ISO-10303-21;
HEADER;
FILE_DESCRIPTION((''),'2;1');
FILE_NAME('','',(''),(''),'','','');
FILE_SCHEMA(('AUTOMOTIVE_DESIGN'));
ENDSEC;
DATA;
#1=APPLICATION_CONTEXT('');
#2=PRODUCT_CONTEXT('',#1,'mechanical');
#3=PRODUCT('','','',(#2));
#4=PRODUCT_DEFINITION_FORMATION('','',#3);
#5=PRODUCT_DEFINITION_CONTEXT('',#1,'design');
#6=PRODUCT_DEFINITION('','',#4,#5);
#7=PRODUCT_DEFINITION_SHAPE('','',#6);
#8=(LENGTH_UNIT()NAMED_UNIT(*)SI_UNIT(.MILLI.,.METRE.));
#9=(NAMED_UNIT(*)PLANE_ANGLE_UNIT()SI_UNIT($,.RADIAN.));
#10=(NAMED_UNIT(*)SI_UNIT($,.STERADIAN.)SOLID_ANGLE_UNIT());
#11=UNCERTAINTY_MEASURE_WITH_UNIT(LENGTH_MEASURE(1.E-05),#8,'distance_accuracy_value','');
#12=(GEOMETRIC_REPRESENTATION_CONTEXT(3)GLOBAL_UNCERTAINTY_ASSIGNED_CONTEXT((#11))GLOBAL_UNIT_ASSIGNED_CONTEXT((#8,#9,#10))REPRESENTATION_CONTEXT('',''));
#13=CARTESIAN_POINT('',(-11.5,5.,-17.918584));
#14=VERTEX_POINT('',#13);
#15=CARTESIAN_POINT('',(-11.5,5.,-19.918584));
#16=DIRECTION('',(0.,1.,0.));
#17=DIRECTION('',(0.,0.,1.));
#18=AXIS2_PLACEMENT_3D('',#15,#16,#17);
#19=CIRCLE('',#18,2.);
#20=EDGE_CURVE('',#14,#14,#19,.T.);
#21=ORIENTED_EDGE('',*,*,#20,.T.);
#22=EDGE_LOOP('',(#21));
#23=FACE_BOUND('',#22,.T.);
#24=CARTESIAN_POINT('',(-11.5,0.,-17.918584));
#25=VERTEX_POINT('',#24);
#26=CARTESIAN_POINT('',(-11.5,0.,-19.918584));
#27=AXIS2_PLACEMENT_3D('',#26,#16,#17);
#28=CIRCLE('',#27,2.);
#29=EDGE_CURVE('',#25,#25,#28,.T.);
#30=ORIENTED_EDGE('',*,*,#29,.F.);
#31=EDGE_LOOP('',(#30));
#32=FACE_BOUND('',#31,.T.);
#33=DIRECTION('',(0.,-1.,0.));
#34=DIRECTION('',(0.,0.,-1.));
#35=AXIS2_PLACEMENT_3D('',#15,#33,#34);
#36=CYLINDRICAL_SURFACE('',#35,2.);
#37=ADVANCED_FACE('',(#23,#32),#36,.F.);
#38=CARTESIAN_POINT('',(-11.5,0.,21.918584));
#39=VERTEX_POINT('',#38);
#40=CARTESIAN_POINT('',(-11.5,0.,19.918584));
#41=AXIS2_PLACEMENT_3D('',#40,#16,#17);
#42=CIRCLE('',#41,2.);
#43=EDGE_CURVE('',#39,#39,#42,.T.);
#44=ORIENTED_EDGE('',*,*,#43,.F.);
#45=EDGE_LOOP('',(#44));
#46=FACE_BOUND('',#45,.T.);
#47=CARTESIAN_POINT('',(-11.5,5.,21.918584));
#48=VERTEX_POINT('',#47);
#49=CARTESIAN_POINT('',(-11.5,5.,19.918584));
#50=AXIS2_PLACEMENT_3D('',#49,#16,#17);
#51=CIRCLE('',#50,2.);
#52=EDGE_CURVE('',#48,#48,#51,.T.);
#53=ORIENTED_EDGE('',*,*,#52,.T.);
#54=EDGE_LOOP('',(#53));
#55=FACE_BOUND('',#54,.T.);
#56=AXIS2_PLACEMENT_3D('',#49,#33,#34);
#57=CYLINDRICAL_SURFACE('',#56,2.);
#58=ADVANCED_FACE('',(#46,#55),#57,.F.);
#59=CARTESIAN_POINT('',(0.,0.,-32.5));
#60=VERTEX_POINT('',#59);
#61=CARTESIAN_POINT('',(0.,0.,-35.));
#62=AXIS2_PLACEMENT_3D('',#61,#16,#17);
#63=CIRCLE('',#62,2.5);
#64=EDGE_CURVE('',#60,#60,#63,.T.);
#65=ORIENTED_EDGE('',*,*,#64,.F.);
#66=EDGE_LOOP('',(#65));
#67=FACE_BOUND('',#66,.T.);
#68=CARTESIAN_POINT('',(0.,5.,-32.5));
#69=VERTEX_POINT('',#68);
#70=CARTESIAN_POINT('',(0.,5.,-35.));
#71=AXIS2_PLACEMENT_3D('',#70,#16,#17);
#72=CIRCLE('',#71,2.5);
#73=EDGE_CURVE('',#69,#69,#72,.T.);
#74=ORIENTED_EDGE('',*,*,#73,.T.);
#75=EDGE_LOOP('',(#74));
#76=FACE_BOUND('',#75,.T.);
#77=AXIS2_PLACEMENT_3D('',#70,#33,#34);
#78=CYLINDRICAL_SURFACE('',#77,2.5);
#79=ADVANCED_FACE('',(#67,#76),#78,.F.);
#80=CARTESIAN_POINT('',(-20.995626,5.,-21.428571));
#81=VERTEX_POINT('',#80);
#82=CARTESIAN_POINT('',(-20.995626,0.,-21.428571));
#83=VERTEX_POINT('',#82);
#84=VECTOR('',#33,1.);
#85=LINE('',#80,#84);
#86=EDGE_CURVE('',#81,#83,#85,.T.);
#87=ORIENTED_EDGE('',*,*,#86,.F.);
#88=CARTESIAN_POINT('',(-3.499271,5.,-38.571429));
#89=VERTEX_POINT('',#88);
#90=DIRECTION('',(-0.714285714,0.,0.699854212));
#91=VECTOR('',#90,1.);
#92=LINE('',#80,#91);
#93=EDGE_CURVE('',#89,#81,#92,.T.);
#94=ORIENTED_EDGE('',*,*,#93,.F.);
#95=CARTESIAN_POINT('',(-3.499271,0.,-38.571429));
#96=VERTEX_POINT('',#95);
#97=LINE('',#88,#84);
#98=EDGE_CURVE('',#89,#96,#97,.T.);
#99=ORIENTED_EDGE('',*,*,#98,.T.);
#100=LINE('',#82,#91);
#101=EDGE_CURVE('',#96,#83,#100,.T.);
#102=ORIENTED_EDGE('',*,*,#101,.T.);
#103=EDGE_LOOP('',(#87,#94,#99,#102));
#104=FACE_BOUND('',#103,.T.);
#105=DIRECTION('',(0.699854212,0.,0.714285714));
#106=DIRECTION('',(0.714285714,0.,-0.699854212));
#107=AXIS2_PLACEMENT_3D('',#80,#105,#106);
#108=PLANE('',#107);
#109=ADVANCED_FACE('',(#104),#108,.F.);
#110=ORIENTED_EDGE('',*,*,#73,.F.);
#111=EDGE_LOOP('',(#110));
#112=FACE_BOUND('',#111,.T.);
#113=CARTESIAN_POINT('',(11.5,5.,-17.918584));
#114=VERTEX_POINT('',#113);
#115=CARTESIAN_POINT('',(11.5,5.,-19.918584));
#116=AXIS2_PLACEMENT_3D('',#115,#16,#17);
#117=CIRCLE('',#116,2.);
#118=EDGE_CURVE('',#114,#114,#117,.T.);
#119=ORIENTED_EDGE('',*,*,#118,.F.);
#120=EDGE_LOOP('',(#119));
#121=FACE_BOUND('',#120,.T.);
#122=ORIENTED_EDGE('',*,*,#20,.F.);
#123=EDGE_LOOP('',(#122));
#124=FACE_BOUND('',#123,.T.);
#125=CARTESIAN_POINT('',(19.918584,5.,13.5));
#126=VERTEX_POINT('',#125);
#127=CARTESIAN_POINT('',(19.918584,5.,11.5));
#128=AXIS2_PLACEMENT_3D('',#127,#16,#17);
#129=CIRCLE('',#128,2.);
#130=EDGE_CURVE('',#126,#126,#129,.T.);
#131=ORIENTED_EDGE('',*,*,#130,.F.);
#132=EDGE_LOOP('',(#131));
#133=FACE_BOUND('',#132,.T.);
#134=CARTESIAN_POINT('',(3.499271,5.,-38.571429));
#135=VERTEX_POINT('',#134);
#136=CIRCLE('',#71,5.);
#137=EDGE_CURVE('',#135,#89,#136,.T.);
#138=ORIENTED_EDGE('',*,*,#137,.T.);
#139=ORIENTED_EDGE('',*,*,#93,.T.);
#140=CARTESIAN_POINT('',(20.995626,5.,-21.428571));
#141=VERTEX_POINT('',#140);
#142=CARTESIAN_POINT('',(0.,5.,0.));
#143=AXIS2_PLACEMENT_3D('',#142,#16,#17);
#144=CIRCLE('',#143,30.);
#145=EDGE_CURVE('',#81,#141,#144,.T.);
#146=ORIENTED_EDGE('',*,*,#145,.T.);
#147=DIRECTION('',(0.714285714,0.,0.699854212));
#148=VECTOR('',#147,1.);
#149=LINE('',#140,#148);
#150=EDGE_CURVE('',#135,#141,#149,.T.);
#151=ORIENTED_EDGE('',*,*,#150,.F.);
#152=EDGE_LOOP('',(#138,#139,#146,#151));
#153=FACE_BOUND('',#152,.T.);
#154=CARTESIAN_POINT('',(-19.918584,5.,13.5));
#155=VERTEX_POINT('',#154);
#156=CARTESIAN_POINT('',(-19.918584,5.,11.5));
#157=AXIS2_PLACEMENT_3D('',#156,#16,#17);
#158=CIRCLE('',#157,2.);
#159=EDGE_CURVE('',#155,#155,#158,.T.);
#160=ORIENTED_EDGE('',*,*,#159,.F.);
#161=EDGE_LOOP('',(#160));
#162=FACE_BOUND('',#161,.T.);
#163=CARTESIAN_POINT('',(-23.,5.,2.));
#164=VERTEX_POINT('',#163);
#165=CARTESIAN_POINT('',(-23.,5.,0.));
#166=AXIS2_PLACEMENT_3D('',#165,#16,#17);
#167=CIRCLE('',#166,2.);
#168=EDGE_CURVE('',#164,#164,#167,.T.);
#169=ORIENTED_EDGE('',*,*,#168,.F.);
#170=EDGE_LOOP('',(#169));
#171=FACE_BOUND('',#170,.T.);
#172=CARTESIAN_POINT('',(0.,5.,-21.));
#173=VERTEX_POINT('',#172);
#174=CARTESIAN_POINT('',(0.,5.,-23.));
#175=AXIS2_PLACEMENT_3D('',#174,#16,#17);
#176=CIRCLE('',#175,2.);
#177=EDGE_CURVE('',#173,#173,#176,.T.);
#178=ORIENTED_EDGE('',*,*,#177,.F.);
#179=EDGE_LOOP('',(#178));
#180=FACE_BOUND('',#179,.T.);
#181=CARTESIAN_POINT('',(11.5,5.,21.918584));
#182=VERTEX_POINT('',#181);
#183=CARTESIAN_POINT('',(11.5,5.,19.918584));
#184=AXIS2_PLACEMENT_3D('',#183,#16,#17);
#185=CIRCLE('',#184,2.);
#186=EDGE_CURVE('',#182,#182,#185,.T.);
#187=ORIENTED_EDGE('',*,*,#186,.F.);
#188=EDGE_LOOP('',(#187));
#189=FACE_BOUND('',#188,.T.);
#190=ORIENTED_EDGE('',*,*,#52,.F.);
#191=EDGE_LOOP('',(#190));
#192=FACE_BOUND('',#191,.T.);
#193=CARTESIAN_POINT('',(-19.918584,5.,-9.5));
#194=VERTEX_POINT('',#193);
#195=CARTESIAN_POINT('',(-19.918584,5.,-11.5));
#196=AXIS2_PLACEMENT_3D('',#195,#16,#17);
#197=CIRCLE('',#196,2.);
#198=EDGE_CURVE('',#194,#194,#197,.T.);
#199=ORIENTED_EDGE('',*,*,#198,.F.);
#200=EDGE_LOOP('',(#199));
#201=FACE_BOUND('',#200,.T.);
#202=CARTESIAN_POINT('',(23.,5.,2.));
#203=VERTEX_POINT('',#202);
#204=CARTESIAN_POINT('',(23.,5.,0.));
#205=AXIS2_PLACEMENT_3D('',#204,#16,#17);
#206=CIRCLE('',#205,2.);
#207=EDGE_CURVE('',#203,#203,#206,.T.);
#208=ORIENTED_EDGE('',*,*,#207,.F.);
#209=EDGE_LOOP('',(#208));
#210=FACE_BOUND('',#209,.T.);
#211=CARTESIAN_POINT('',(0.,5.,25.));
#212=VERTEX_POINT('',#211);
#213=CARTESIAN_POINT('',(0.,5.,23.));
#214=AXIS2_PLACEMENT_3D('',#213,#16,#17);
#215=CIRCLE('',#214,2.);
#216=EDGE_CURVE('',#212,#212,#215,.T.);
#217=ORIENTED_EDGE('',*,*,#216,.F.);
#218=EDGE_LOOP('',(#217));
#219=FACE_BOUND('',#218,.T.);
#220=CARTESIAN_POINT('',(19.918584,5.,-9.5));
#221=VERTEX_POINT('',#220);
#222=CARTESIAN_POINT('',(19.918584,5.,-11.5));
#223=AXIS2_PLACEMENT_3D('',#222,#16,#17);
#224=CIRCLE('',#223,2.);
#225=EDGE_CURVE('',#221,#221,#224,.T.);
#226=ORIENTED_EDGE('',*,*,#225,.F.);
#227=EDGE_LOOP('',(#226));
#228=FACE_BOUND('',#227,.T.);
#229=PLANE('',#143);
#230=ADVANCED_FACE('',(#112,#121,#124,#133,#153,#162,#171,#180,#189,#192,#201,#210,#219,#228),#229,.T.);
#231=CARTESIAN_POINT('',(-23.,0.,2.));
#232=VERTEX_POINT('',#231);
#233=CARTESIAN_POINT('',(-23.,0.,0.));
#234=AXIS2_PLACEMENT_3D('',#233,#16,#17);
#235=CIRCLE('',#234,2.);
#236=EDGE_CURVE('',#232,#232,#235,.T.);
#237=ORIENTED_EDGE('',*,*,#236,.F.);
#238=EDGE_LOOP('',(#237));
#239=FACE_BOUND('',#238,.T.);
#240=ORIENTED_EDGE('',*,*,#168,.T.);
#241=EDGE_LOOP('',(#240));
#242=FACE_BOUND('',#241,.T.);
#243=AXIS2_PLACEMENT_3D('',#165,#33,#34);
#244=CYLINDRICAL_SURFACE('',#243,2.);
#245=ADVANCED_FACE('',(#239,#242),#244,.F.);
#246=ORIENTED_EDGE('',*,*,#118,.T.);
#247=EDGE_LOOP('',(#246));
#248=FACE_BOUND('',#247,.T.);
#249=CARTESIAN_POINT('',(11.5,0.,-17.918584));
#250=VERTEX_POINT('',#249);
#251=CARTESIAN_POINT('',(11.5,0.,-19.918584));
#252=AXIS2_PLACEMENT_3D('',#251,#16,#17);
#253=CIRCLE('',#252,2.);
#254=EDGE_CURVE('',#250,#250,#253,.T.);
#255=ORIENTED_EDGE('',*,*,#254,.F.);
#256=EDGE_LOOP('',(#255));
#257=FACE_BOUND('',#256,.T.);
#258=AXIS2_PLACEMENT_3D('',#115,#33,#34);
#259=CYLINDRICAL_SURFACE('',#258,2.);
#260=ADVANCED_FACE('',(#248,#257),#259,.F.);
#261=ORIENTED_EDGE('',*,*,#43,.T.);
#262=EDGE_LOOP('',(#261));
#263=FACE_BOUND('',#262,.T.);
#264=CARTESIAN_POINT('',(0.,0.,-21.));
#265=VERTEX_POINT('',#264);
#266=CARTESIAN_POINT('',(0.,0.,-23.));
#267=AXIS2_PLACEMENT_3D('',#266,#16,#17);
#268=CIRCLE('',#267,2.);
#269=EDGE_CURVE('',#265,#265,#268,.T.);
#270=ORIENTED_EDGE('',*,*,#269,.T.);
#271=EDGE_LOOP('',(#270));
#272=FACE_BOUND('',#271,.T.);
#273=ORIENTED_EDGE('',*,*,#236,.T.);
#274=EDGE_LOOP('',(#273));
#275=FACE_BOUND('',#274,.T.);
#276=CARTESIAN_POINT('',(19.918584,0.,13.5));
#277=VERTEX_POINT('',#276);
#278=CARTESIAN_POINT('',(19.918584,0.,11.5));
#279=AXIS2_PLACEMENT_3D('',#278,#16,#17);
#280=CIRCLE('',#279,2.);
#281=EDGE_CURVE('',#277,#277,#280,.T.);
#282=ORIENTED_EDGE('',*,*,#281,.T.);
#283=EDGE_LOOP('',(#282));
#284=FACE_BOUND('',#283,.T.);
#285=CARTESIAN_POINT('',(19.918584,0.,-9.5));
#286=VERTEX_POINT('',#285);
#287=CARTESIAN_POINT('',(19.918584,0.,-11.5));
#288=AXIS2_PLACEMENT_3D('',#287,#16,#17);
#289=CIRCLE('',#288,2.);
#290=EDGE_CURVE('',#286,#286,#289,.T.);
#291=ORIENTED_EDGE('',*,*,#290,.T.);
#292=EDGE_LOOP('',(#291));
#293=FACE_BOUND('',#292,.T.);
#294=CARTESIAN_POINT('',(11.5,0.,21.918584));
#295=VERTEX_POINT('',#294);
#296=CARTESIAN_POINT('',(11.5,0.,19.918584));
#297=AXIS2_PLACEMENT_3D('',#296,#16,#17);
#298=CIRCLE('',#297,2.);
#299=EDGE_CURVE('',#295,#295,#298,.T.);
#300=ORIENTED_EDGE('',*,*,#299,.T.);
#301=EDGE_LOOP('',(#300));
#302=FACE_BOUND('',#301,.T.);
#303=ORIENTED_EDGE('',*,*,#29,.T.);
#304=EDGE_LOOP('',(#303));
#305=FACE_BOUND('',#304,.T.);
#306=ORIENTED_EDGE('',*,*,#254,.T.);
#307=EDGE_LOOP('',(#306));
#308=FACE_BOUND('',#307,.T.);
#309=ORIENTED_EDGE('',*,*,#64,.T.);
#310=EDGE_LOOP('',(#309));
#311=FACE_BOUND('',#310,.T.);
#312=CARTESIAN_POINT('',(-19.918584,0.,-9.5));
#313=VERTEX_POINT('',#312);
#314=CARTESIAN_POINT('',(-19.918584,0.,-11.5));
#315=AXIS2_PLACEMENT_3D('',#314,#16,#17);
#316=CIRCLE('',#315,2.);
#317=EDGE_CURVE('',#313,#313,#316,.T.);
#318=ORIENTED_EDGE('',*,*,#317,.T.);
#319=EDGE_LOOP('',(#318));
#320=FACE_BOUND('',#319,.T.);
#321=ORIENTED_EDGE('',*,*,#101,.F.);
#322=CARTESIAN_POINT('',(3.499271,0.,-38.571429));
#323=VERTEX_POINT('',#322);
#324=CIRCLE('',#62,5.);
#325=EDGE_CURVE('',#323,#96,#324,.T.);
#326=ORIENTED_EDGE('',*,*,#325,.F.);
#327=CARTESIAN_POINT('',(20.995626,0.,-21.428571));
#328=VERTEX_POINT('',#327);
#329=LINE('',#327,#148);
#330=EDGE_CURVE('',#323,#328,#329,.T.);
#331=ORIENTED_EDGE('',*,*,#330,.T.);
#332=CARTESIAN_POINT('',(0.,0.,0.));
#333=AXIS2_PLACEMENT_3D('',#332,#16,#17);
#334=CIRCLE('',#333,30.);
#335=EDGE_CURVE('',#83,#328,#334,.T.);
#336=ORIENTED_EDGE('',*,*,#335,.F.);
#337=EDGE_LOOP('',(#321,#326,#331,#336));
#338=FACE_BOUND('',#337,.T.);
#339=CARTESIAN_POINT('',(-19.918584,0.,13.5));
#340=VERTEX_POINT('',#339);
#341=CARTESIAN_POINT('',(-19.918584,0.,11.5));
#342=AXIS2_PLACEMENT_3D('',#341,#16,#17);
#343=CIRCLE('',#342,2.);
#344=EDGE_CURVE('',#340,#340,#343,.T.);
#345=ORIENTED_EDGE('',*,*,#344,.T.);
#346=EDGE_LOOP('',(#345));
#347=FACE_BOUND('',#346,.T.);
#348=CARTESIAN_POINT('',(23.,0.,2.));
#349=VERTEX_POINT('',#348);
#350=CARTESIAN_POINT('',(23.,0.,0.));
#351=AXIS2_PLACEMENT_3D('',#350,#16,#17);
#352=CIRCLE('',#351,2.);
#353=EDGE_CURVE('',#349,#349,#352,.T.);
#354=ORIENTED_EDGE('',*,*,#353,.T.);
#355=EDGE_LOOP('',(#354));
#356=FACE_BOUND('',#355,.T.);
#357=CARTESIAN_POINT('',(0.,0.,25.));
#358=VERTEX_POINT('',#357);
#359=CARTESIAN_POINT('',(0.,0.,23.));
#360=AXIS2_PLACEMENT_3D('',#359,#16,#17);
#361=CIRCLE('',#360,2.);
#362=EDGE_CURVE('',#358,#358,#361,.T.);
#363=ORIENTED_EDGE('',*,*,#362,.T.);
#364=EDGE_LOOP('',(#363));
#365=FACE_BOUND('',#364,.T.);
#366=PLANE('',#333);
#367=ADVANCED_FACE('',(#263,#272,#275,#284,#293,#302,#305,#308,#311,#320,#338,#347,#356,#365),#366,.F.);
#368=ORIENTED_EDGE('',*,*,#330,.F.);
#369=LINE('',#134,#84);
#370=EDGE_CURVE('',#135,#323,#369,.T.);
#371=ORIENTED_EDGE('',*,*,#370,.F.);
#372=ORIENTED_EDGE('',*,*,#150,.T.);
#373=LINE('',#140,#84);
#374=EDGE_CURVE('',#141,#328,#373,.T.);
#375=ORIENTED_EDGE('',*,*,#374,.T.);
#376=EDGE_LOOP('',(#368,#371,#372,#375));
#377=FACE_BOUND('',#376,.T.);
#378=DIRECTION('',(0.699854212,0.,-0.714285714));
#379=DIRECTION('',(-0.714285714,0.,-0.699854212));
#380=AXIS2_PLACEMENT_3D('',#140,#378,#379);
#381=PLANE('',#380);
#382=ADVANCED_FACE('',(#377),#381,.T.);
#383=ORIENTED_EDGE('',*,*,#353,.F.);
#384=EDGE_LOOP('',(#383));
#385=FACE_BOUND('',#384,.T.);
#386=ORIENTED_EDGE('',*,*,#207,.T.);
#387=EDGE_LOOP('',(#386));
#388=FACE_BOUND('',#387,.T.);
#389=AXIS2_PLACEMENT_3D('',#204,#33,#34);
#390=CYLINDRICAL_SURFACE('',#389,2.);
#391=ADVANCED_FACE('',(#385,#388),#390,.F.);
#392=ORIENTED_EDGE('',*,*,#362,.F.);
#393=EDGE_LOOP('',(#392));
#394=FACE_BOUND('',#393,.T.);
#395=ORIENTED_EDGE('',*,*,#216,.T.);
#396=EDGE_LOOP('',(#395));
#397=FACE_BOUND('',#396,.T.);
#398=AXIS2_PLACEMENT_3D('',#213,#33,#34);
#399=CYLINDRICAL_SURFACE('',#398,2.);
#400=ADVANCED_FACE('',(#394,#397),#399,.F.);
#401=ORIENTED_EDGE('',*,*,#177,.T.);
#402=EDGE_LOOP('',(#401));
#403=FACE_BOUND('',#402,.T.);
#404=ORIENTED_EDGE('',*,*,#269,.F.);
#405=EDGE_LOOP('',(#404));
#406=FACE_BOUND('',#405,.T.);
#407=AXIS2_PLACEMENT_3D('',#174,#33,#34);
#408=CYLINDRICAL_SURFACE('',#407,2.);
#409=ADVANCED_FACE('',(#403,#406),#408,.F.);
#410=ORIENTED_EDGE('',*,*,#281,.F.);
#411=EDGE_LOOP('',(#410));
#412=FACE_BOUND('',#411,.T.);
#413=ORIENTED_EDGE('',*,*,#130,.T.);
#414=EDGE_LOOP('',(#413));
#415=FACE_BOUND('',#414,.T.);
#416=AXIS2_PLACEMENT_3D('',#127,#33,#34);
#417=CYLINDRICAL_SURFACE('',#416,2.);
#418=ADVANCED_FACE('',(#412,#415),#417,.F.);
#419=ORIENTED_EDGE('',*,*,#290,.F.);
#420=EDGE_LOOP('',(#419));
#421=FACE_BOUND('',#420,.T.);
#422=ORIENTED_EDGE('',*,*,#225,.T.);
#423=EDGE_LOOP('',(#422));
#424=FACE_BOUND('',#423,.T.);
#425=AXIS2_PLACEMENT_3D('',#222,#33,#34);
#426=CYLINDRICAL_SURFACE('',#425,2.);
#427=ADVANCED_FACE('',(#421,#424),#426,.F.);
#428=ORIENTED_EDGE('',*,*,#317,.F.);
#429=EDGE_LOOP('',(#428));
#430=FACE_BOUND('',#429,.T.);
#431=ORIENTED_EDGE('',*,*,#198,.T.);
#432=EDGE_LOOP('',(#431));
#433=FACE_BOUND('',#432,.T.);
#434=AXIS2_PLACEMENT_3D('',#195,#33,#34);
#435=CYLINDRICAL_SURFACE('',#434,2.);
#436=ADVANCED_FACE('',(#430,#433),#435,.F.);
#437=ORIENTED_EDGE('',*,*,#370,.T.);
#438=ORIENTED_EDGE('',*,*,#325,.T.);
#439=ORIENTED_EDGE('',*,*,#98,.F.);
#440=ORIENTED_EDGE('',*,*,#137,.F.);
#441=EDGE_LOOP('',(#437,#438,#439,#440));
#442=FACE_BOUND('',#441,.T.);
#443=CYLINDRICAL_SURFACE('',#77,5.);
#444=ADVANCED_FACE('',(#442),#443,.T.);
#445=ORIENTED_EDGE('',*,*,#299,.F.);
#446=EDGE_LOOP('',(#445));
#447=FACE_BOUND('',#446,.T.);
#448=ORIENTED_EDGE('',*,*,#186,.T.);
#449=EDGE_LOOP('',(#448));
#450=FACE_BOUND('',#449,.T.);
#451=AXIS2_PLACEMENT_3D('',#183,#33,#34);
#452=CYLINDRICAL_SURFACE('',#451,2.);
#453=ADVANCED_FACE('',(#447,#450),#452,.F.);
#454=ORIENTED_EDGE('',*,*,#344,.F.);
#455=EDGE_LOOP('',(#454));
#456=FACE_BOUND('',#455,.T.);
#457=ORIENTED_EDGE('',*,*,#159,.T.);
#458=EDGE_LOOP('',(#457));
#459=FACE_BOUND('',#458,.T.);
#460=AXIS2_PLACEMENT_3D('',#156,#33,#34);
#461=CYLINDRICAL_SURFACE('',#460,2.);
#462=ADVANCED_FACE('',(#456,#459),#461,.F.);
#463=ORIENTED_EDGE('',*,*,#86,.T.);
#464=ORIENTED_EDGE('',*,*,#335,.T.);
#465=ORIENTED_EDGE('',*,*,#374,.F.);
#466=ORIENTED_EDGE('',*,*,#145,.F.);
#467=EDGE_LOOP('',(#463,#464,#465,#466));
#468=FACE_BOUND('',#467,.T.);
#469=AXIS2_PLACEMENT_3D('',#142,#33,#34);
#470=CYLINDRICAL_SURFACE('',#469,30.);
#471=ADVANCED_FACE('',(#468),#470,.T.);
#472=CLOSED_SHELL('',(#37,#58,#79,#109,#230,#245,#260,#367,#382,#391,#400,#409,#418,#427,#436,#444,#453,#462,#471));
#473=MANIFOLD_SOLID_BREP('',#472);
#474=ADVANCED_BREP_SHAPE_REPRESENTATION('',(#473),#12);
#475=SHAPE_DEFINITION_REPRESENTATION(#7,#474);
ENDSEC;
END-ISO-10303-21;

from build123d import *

# Parameters (mm, degrees)
SKETCH1_R           = 30
SKETCH1_R_2         = 2
SKETCH1_R_3         = 5
SKETCH1_R_4         = 2.5
BOSS_EXTRUDE1_DEPTH = 5


with BuildPart() as part:
    # Sketch1 → Boss-Extrude1 (new body)
    # profile 1 of 4: a face of its own
    with BuildSketch(Plane(origin=(0, 0, 0), x_dir=(1, 0, 0), z_dir=(0, 1, 0))):
        Circle(SKETCH1_R)
        with Locations(Location((-11.5, 19.918584287, 0), (0, 0, 270))):
            Circle(SKETCH1_R_2, mode=Mode.SUBTRACT)
        with Locations(Location((-19.918584287, 11.5, 0), (0, 0, 270))):
            Circle(SKETCH1_R_2, mode=Mode.SUBTRACT)
        with Locations(Location((-23, 0, 0), (0, 0, 270))):
            Circle(SKETCH1_R_2, mode=Mode.SUBTRACT)
        with Locations(Location((-19.918584287, -11.5, 0), (0, 0, 270))):
            Circle(SKETCH1_R_2, mode=Mode.SUBTRACT)
        with Locations(Location((-11.5, -19.918584287, 0), (0, 0, 270))):
            Circle(SKETCH1_R_2, mode=Mode.SUBTRACT)
        with Locations(Location((0, -23, 0), (0, 0, 270))):
            Circle(SKETCH1_R_2, mode=Mode.SUBTRACT)
        with Locations(Location((11.5, -19.918584287, 0), (0, 0, 270))):
            Circle(SKETCH1_R_2, mode=Mode.SUBTRACT)
        with Locations(Location((19.918584287, -11.5, 0), (0, 0, 270))):
            Circle(SKETCH1_R_2, mode=Mode.SUBTRACT)
        with Locations(Location((23, 0, 0), (0, 0, 270))):
            Circle(SKETCH1_R_2, mode=Mode.SUBTRACT)
        with Locations(Location((19.918584287, 11.5, 0), (0, 0, 270))):
            Circle(SKETCH1_R_2, mode=Mode.SUBTRACT)
        with Locations(Location((11.5, 19.918584287, 0), (0, 0, 270))):
            Circle(SKETCH1_R_2, mode=Mode.SUBTRACT)
        with Locations(Location((0, 23, 0), (0, 0, 270))):
            Circle(SKETCH1_R_2, mode=Mode.SUBTRACT)
    # profile 2 of 4: a face of its own
    with BuildSketch(Plane(origin=(0, 0, 0), x_dir=(1, 0, 0), z_dir=(0, 1, 0))):
        with BuildLine():
            Line((20.995626367, 21.428571429), (3.499271061, 38.571428571))
            ThreePointArc((3.499271061, 38.571428571), (4.609574563, 36.936962144), (5, 35))
            ThreePointArc((5, 35), (3.535533899, 31.464466087), (-1.9e-08, 30))
            ThreePointArc((-1.9e-08, 30), (11.338934182, 27.774602997), (20.995626367, 21.428571429))
        make_face()
    # profile 3 of 4: a face of its own
    with BuildSketch(Plane(origin=(0, 0, 0), x_dir=(1, 0, 0), z_dir=(0, 1, 0))):
        with BuildLine():
            ThreePointArc((-1.9e-08, 30), (-4.629100502, 33.110177644), (-3.499271061, 38.571428571))
            Line((-3.499271061, 38.571428571), (-20.995626367, 21.428571429))
            ThreePointArc((-20.995626367, 21.428571429), (-11.338934199, 27.77460299), (-1.9e-08, 30))
        make_face()
    # profile 4 of 4: a face of its own
    with BuildSketch(Plane(origin=(0, 0, 0), x_dir=(1, 0, 0), z_dir=(0, 1, 0))):
        with Locations((0, 35)):
            Circle(SKETCH1_R_3)
        with Locations(Location((0, 35, 0), (0, 0, 270))):
            Circle(SKETCH1_R_4, mode=Mode.SUBTRACT)
    extrude(amount=BOSS_EXTRUDE1_DEPTH)


solid = part.part
